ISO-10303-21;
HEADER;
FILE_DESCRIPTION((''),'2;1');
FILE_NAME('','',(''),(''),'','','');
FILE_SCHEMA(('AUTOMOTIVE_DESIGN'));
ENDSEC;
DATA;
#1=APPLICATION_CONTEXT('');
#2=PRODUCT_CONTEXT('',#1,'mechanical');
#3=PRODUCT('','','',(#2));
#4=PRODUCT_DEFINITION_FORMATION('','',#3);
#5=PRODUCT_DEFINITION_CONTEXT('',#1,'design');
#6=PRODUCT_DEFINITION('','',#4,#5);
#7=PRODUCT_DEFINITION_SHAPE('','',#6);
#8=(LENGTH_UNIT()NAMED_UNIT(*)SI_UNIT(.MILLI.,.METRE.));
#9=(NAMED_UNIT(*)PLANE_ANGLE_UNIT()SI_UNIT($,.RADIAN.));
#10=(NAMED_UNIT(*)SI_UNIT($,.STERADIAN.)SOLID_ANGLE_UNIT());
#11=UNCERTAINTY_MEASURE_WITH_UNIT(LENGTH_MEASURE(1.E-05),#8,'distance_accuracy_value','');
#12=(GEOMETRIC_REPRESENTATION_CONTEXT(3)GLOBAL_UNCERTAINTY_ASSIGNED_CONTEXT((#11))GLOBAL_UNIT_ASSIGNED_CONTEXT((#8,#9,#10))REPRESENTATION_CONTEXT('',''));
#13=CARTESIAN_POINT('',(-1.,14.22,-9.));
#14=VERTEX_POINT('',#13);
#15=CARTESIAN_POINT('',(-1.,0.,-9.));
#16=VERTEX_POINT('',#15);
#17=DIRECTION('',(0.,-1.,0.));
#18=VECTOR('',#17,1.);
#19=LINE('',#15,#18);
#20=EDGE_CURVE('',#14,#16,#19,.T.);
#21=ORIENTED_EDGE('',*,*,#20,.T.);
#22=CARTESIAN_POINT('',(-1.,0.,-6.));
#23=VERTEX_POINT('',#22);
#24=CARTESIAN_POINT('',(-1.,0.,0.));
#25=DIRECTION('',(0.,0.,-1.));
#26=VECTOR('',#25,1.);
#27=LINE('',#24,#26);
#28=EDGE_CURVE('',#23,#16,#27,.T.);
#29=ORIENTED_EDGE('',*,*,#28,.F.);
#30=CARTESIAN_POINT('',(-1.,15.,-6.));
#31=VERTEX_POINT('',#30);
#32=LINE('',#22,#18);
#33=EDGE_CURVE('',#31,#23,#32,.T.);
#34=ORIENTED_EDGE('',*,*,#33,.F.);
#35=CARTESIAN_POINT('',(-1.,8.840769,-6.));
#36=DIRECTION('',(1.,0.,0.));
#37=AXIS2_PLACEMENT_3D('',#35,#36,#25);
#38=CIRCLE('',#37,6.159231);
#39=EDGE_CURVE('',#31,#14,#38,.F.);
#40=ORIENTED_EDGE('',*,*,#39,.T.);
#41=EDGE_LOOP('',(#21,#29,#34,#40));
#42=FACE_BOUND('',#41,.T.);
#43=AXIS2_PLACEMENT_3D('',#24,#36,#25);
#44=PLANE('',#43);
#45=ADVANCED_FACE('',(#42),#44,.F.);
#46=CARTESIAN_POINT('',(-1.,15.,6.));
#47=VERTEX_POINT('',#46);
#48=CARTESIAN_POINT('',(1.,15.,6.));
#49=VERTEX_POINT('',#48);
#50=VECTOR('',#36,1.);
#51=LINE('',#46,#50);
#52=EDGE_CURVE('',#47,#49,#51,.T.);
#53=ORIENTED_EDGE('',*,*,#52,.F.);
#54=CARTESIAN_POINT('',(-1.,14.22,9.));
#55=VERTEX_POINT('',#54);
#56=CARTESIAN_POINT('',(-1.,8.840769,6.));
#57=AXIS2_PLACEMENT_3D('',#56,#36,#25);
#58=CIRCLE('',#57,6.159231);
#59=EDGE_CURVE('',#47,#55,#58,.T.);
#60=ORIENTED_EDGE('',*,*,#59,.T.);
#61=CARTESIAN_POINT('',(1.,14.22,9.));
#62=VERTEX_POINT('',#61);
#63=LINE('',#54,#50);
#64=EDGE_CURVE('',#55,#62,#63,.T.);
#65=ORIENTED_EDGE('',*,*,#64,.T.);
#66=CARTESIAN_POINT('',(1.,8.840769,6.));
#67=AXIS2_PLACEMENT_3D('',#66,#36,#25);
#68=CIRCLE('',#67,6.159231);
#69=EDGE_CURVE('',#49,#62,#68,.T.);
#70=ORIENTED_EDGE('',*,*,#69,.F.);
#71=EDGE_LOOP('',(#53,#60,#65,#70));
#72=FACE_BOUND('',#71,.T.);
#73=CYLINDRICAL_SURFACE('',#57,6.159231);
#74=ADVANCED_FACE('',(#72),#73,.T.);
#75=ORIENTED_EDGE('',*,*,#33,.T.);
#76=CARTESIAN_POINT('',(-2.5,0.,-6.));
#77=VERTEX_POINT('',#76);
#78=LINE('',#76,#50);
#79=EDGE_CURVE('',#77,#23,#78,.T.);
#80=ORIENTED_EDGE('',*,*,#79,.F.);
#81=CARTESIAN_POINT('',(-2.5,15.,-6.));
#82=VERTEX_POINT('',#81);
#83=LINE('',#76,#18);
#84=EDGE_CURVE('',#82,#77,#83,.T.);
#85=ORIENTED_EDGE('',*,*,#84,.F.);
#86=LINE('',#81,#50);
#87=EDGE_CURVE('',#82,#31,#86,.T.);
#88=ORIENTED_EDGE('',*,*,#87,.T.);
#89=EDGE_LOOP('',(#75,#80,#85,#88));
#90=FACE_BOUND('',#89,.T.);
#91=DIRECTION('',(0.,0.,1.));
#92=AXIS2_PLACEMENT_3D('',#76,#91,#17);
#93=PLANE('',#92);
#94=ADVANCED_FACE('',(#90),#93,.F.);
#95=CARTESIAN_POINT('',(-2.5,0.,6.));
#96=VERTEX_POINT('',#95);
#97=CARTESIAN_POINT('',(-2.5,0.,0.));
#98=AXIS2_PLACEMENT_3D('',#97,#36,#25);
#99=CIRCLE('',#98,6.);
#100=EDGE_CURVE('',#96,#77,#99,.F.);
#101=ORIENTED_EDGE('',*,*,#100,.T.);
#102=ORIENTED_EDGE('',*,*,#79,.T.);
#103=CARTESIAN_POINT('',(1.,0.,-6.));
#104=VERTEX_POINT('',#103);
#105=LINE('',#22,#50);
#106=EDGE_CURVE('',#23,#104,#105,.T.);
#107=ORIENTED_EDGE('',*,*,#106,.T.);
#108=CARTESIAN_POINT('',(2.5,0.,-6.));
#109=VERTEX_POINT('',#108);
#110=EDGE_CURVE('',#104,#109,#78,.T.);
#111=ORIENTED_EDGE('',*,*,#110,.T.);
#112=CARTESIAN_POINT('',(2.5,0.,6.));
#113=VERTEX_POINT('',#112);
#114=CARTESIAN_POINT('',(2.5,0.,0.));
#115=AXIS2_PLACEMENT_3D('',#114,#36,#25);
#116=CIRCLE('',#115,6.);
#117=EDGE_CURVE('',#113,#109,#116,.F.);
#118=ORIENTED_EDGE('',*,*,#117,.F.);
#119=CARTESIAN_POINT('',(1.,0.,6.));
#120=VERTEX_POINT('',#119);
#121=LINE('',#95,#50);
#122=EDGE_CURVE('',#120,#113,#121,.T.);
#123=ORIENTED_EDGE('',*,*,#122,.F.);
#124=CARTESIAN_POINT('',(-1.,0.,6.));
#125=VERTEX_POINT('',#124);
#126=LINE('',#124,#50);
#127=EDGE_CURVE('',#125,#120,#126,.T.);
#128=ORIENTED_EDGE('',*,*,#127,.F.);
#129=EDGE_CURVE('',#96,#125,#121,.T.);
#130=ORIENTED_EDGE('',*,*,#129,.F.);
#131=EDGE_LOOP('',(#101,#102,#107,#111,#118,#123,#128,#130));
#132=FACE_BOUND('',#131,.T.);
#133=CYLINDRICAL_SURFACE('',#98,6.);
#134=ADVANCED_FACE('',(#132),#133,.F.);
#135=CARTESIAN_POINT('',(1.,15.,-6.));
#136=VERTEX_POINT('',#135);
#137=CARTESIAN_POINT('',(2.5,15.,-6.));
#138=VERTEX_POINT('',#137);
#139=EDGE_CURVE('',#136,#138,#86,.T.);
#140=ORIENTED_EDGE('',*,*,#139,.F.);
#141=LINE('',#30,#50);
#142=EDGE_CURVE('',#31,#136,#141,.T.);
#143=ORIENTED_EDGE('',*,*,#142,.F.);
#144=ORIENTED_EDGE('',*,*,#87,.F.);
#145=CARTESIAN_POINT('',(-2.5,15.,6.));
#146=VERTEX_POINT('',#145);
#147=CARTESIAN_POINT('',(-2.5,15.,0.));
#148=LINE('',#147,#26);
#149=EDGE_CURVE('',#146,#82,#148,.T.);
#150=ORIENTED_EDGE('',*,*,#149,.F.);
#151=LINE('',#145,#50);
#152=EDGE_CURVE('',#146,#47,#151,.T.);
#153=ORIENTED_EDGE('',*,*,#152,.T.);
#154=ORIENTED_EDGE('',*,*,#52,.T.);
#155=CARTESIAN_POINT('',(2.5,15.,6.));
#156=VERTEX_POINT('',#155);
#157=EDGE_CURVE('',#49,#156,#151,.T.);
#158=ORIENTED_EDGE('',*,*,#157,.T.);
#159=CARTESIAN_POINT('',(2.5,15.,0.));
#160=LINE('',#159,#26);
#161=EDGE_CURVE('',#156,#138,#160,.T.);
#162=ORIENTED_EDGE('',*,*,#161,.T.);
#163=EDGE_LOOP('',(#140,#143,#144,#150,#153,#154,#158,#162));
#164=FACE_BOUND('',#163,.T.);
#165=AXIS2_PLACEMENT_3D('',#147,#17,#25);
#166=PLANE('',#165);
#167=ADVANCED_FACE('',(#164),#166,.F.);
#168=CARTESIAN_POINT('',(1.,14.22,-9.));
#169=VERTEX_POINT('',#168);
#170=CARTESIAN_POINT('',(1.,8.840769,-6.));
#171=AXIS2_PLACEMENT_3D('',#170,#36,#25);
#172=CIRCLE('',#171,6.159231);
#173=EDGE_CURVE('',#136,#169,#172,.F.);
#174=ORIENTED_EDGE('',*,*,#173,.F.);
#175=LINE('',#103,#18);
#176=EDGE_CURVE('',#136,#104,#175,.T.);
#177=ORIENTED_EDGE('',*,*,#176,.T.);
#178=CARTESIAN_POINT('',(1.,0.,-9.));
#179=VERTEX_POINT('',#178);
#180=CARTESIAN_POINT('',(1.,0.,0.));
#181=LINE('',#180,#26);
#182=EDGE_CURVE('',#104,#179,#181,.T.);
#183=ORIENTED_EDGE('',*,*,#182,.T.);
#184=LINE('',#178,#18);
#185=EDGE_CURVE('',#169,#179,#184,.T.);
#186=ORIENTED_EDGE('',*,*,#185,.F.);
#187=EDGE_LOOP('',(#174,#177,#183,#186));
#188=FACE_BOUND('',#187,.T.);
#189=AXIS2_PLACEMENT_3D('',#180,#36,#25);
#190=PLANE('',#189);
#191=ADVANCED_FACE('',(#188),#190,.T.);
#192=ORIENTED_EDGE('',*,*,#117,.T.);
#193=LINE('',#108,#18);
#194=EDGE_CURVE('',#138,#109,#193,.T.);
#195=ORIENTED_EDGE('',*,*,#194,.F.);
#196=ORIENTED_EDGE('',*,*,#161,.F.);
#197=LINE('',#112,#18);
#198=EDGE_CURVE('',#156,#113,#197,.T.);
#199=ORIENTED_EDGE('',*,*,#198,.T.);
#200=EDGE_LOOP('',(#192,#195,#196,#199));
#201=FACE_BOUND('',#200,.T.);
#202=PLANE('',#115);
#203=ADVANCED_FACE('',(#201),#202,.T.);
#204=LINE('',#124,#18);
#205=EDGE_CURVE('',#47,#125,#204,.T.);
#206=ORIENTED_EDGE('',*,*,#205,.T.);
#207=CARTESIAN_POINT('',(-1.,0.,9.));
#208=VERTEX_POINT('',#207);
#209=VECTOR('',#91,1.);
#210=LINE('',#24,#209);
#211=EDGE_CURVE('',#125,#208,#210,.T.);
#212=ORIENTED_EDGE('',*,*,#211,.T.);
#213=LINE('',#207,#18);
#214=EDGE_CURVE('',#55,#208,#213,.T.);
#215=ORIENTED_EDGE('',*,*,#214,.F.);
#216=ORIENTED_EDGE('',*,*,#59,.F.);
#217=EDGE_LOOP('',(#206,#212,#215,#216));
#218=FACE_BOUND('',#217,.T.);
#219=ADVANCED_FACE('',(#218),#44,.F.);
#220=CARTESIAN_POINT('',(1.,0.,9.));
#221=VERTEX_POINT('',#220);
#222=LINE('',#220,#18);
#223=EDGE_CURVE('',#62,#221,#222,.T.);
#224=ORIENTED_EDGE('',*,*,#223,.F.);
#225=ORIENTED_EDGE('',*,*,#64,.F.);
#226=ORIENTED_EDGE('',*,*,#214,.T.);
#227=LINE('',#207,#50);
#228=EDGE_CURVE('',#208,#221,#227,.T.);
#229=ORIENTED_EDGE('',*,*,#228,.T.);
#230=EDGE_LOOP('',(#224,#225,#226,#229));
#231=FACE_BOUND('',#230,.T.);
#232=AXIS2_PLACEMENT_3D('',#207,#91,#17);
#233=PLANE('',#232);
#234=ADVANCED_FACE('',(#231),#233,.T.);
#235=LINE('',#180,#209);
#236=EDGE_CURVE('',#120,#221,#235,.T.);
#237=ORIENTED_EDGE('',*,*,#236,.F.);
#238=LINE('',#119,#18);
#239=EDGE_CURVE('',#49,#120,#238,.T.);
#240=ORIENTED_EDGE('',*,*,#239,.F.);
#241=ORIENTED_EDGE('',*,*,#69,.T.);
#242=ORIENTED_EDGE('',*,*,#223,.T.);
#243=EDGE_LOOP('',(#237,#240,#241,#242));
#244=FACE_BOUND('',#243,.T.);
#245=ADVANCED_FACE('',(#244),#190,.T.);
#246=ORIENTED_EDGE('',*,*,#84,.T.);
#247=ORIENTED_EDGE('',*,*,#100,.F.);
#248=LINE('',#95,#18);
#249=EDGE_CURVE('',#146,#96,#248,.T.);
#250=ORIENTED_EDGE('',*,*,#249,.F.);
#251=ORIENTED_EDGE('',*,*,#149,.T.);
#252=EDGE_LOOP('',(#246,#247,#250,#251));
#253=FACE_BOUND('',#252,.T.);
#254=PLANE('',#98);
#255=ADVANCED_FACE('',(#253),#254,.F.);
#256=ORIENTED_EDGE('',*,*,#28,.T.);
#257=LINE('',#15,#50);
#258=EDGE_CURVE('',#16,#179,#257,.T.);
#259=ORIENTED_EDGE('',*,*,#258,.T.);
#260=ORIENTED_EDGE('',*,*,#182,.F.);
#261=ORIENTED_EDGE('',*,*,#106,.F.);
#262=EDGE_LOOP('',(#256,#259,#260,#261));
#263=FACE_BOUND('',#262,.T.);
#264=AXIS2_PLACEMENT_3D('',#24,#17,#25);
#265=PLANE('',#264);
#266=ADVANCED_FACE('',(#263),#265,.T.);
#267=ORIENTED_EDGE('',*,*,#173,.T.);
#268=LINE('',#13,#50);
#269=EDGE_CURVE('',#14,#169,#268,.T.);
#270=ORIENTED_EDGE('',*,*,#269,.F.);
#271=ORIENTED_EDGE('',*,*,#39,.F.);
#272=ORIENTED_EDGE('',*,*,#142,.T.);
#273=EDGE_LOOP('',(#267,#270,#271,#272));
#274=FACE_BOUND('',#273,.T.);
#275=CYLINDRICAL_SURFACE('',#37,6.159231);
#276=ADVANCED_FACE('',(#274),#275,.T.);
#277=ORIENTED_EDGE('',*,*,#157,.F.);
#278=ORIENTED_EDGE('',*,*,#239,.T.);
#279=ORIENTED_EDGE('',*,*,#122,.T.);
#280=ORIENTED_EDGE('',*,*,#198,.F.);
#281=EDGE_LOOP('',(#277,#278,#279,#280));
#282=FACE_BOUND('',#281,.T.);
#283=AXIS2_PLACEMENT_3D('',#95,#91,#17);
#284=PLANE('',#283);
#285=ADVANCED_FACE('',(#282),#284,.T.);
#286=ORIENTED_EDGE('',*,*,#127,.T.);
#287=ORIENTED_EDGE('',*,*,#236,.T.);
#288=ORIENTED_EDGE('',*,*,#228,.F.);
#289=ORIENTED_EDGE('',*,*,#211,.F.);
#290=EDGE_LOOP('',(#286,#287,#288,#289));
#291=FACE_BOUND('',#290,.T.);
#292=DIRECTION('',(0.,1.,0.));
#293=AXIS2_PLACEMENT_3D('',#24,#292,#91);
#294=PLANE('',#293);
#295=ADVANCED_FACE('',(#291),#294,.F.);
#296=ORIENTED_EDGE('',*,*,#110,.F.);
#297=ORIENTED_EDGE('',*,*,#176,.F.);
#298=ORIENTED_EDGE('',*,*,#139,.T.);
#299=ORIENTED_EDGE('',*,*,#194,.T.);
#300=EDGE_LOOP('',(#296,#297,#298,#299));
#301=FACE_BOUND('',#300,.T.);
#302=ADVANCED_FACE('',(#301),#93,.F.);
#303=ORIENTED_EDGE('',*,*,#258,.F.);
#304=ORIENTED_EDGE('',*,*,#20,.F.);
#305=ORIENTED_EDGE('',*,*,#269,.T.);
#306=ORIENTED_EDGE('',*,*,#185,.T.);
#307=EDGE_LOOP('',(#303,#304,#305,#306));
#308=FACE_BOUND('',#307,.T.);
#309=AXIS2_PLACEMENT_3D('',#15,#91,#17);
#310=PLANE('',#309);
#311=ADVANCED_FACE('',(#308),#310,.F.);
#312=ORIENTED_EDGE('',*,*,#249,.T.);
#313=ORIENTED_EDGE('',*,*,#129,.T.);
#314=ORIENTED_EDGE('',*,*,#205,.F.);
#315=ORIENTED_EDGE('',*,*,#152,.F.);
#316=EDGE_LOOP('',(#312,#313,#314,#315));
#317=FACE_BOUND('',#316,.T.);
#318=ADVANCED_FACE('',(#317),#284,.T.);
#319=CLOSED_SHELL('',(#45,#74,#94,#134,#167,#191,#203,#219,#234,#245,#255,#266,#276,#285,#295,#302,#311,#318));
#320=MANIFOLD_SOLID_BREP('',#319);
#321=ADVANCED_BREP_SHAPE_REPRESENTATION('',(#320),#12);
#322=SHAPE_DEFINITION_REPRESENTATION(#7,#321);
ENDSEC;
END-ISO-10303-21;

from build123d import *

# Parameters (mm, degrees)
BOSS_EXTRUDE1_DEPTH      = 2.5
BOSS_EXTRUDE1_DEPTH_BACK = 2.5
BOSS_EXTRUDE2_DEPTH      = 1
BOSS_EXTRUDE2_DEPTH_BACK = 1


with BuildPart() as part:
    # Sketch1 → Boss-Extrude1 (new, two sides: drawn at the far end of the back side and taken through both)
    with BuildSketch(Plane(origin=(0, 0, 0), x_dir=(0, 0, -1), z_dir=(1, 0, 0)).offset(-BOSS_EXTRUDE1_DEPTH_BACK)):
        with BuildLine():
            ThreePointArc((-6, 0), (0, 6), (6, 0))
            Line((6, 0), (6, 15))
            Line((6, 15), (-6, 15))
            Line((-6, 15), (-6, 0))
        make_face()
    extrude(amount=BOSS_EXTRUDE1_DEPTH + BOSS_EXTRUDE1_DEPTH_BACK)

    # Sketch1<3> → Boss-Extrude2 (add, two sides: drawn at the far end of the back side and taken through both)
    with BuildSketch(Plane(origin=(0, 0, 0), x_dir=(0, 0, -1), z_dir=(1, 0, 0)).offset(-BOSS_EXTRUDE2_DEPTH_BACK)):
        with BuildLine():
            Line((-6, 0), (-6, 15))
            ThreePointArc((-6, 15), (-7.549870962, 14.801811394), (-9, 14.22))
            Line((-9, 14.22), (-9, 0))
            Line((-9, 0), (-6, 0))
        make_face()
        with BuildLine():
            ThreePointArc((9, 14.22), (7.549870962, 14.801811394), (6, 15))
            Line((6, 15), (6, 0))
            Line((6, 0), (9, 0))
            Line((9, 0), (9, 14.22))
        make_face()
    extrude(amount=BOSS_EXTRUDE2_DEPTH + BOSS_EXTRUDE2_DEPTH_BACK)


solid = part.part
